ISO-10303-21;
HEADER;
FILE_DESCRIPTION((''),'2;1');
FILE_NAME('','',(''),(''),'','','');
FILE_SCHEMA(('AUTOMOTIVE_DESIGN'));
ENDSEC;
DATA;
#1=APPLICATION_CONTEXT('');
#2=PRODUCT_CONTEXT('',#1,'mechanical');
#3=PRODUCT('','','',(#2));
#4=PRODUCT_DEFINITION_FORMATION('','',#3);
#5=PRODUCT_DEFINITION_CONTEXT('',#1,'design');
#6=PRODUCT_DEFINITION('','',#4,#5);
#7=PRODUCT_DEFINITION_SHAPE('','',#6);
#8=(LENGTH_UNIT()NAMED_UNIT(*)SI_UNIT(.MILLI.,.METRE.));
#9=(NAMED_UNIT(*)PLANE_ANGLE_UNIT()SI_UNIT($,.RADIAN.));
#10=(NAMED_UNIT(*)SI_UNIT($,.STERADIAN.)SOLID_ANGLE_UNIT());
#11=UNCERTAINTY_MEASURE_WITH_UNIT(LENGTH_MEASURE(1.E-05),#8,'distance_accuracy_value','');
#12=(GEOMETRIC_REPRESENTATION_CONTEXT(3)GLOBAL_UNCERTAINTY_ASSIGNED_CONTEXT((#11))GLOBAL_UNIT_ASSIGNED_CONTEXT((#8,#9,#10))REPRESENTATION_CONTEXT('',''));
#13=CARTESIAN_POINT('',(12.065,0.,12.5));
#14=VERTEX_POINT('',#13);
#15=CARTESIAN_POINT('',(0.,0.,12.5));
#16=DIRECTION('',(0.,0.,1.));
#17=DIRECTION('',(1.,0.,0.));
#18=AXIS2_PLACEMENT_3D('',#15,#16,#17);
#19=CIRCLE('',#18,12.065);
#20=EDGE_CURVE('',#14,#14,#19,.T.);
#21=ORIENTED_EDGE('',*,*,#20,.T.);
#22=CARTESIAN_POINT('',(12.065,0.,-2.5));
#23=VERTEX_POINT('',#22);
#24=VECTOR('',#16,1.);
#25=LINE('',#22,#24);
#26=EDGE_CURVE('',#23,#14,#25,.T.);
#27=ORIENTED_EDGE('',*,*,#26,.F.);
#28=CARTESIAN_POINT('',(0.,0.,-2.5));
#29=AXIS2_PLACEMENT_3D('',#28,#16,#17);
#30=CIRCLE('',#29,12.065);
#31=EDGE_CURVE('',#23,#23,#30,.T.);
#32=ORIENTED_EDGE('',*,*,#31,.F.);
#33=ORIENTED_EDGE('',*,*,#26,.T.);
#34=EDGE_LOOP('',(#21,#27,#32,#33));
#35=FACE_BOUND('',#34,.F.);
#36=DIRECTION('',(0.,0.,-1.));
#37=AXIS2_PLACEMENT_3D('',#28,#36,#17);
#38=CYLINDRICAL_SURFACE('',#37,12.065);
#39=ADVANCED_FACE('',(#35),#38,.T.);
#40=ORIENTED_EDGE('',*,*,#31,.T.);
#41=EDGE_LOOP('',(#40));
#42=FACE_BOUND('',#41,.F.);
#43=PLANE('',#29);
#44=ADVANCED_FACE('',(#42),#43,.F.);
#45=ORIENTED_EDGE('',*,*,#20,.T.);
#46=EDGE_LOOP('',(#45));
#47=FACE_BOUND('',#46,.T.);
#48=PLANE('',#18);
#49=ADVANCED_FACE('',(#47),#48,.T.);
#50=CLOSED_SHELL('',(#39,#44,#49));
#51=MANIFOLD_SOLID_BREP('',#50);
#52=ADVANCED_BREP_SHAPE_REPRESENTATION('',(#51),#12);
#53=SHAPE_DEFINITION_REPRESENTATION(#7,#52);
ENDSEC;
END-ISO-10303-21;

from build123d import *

# Parameters (mm, degrees)
CYLINDER_R     = 12.065
CYLINDER_DEPTH = 15


with BuildPart() as part:
    # Cylinder → Cylinder (new body)
    with BuildSketch(Plane.XY.offset(-2.5)):
        Circle(CYLINDER_R)
    extrude(amount=CYLINDER_DEPTH)


solid = part.part
